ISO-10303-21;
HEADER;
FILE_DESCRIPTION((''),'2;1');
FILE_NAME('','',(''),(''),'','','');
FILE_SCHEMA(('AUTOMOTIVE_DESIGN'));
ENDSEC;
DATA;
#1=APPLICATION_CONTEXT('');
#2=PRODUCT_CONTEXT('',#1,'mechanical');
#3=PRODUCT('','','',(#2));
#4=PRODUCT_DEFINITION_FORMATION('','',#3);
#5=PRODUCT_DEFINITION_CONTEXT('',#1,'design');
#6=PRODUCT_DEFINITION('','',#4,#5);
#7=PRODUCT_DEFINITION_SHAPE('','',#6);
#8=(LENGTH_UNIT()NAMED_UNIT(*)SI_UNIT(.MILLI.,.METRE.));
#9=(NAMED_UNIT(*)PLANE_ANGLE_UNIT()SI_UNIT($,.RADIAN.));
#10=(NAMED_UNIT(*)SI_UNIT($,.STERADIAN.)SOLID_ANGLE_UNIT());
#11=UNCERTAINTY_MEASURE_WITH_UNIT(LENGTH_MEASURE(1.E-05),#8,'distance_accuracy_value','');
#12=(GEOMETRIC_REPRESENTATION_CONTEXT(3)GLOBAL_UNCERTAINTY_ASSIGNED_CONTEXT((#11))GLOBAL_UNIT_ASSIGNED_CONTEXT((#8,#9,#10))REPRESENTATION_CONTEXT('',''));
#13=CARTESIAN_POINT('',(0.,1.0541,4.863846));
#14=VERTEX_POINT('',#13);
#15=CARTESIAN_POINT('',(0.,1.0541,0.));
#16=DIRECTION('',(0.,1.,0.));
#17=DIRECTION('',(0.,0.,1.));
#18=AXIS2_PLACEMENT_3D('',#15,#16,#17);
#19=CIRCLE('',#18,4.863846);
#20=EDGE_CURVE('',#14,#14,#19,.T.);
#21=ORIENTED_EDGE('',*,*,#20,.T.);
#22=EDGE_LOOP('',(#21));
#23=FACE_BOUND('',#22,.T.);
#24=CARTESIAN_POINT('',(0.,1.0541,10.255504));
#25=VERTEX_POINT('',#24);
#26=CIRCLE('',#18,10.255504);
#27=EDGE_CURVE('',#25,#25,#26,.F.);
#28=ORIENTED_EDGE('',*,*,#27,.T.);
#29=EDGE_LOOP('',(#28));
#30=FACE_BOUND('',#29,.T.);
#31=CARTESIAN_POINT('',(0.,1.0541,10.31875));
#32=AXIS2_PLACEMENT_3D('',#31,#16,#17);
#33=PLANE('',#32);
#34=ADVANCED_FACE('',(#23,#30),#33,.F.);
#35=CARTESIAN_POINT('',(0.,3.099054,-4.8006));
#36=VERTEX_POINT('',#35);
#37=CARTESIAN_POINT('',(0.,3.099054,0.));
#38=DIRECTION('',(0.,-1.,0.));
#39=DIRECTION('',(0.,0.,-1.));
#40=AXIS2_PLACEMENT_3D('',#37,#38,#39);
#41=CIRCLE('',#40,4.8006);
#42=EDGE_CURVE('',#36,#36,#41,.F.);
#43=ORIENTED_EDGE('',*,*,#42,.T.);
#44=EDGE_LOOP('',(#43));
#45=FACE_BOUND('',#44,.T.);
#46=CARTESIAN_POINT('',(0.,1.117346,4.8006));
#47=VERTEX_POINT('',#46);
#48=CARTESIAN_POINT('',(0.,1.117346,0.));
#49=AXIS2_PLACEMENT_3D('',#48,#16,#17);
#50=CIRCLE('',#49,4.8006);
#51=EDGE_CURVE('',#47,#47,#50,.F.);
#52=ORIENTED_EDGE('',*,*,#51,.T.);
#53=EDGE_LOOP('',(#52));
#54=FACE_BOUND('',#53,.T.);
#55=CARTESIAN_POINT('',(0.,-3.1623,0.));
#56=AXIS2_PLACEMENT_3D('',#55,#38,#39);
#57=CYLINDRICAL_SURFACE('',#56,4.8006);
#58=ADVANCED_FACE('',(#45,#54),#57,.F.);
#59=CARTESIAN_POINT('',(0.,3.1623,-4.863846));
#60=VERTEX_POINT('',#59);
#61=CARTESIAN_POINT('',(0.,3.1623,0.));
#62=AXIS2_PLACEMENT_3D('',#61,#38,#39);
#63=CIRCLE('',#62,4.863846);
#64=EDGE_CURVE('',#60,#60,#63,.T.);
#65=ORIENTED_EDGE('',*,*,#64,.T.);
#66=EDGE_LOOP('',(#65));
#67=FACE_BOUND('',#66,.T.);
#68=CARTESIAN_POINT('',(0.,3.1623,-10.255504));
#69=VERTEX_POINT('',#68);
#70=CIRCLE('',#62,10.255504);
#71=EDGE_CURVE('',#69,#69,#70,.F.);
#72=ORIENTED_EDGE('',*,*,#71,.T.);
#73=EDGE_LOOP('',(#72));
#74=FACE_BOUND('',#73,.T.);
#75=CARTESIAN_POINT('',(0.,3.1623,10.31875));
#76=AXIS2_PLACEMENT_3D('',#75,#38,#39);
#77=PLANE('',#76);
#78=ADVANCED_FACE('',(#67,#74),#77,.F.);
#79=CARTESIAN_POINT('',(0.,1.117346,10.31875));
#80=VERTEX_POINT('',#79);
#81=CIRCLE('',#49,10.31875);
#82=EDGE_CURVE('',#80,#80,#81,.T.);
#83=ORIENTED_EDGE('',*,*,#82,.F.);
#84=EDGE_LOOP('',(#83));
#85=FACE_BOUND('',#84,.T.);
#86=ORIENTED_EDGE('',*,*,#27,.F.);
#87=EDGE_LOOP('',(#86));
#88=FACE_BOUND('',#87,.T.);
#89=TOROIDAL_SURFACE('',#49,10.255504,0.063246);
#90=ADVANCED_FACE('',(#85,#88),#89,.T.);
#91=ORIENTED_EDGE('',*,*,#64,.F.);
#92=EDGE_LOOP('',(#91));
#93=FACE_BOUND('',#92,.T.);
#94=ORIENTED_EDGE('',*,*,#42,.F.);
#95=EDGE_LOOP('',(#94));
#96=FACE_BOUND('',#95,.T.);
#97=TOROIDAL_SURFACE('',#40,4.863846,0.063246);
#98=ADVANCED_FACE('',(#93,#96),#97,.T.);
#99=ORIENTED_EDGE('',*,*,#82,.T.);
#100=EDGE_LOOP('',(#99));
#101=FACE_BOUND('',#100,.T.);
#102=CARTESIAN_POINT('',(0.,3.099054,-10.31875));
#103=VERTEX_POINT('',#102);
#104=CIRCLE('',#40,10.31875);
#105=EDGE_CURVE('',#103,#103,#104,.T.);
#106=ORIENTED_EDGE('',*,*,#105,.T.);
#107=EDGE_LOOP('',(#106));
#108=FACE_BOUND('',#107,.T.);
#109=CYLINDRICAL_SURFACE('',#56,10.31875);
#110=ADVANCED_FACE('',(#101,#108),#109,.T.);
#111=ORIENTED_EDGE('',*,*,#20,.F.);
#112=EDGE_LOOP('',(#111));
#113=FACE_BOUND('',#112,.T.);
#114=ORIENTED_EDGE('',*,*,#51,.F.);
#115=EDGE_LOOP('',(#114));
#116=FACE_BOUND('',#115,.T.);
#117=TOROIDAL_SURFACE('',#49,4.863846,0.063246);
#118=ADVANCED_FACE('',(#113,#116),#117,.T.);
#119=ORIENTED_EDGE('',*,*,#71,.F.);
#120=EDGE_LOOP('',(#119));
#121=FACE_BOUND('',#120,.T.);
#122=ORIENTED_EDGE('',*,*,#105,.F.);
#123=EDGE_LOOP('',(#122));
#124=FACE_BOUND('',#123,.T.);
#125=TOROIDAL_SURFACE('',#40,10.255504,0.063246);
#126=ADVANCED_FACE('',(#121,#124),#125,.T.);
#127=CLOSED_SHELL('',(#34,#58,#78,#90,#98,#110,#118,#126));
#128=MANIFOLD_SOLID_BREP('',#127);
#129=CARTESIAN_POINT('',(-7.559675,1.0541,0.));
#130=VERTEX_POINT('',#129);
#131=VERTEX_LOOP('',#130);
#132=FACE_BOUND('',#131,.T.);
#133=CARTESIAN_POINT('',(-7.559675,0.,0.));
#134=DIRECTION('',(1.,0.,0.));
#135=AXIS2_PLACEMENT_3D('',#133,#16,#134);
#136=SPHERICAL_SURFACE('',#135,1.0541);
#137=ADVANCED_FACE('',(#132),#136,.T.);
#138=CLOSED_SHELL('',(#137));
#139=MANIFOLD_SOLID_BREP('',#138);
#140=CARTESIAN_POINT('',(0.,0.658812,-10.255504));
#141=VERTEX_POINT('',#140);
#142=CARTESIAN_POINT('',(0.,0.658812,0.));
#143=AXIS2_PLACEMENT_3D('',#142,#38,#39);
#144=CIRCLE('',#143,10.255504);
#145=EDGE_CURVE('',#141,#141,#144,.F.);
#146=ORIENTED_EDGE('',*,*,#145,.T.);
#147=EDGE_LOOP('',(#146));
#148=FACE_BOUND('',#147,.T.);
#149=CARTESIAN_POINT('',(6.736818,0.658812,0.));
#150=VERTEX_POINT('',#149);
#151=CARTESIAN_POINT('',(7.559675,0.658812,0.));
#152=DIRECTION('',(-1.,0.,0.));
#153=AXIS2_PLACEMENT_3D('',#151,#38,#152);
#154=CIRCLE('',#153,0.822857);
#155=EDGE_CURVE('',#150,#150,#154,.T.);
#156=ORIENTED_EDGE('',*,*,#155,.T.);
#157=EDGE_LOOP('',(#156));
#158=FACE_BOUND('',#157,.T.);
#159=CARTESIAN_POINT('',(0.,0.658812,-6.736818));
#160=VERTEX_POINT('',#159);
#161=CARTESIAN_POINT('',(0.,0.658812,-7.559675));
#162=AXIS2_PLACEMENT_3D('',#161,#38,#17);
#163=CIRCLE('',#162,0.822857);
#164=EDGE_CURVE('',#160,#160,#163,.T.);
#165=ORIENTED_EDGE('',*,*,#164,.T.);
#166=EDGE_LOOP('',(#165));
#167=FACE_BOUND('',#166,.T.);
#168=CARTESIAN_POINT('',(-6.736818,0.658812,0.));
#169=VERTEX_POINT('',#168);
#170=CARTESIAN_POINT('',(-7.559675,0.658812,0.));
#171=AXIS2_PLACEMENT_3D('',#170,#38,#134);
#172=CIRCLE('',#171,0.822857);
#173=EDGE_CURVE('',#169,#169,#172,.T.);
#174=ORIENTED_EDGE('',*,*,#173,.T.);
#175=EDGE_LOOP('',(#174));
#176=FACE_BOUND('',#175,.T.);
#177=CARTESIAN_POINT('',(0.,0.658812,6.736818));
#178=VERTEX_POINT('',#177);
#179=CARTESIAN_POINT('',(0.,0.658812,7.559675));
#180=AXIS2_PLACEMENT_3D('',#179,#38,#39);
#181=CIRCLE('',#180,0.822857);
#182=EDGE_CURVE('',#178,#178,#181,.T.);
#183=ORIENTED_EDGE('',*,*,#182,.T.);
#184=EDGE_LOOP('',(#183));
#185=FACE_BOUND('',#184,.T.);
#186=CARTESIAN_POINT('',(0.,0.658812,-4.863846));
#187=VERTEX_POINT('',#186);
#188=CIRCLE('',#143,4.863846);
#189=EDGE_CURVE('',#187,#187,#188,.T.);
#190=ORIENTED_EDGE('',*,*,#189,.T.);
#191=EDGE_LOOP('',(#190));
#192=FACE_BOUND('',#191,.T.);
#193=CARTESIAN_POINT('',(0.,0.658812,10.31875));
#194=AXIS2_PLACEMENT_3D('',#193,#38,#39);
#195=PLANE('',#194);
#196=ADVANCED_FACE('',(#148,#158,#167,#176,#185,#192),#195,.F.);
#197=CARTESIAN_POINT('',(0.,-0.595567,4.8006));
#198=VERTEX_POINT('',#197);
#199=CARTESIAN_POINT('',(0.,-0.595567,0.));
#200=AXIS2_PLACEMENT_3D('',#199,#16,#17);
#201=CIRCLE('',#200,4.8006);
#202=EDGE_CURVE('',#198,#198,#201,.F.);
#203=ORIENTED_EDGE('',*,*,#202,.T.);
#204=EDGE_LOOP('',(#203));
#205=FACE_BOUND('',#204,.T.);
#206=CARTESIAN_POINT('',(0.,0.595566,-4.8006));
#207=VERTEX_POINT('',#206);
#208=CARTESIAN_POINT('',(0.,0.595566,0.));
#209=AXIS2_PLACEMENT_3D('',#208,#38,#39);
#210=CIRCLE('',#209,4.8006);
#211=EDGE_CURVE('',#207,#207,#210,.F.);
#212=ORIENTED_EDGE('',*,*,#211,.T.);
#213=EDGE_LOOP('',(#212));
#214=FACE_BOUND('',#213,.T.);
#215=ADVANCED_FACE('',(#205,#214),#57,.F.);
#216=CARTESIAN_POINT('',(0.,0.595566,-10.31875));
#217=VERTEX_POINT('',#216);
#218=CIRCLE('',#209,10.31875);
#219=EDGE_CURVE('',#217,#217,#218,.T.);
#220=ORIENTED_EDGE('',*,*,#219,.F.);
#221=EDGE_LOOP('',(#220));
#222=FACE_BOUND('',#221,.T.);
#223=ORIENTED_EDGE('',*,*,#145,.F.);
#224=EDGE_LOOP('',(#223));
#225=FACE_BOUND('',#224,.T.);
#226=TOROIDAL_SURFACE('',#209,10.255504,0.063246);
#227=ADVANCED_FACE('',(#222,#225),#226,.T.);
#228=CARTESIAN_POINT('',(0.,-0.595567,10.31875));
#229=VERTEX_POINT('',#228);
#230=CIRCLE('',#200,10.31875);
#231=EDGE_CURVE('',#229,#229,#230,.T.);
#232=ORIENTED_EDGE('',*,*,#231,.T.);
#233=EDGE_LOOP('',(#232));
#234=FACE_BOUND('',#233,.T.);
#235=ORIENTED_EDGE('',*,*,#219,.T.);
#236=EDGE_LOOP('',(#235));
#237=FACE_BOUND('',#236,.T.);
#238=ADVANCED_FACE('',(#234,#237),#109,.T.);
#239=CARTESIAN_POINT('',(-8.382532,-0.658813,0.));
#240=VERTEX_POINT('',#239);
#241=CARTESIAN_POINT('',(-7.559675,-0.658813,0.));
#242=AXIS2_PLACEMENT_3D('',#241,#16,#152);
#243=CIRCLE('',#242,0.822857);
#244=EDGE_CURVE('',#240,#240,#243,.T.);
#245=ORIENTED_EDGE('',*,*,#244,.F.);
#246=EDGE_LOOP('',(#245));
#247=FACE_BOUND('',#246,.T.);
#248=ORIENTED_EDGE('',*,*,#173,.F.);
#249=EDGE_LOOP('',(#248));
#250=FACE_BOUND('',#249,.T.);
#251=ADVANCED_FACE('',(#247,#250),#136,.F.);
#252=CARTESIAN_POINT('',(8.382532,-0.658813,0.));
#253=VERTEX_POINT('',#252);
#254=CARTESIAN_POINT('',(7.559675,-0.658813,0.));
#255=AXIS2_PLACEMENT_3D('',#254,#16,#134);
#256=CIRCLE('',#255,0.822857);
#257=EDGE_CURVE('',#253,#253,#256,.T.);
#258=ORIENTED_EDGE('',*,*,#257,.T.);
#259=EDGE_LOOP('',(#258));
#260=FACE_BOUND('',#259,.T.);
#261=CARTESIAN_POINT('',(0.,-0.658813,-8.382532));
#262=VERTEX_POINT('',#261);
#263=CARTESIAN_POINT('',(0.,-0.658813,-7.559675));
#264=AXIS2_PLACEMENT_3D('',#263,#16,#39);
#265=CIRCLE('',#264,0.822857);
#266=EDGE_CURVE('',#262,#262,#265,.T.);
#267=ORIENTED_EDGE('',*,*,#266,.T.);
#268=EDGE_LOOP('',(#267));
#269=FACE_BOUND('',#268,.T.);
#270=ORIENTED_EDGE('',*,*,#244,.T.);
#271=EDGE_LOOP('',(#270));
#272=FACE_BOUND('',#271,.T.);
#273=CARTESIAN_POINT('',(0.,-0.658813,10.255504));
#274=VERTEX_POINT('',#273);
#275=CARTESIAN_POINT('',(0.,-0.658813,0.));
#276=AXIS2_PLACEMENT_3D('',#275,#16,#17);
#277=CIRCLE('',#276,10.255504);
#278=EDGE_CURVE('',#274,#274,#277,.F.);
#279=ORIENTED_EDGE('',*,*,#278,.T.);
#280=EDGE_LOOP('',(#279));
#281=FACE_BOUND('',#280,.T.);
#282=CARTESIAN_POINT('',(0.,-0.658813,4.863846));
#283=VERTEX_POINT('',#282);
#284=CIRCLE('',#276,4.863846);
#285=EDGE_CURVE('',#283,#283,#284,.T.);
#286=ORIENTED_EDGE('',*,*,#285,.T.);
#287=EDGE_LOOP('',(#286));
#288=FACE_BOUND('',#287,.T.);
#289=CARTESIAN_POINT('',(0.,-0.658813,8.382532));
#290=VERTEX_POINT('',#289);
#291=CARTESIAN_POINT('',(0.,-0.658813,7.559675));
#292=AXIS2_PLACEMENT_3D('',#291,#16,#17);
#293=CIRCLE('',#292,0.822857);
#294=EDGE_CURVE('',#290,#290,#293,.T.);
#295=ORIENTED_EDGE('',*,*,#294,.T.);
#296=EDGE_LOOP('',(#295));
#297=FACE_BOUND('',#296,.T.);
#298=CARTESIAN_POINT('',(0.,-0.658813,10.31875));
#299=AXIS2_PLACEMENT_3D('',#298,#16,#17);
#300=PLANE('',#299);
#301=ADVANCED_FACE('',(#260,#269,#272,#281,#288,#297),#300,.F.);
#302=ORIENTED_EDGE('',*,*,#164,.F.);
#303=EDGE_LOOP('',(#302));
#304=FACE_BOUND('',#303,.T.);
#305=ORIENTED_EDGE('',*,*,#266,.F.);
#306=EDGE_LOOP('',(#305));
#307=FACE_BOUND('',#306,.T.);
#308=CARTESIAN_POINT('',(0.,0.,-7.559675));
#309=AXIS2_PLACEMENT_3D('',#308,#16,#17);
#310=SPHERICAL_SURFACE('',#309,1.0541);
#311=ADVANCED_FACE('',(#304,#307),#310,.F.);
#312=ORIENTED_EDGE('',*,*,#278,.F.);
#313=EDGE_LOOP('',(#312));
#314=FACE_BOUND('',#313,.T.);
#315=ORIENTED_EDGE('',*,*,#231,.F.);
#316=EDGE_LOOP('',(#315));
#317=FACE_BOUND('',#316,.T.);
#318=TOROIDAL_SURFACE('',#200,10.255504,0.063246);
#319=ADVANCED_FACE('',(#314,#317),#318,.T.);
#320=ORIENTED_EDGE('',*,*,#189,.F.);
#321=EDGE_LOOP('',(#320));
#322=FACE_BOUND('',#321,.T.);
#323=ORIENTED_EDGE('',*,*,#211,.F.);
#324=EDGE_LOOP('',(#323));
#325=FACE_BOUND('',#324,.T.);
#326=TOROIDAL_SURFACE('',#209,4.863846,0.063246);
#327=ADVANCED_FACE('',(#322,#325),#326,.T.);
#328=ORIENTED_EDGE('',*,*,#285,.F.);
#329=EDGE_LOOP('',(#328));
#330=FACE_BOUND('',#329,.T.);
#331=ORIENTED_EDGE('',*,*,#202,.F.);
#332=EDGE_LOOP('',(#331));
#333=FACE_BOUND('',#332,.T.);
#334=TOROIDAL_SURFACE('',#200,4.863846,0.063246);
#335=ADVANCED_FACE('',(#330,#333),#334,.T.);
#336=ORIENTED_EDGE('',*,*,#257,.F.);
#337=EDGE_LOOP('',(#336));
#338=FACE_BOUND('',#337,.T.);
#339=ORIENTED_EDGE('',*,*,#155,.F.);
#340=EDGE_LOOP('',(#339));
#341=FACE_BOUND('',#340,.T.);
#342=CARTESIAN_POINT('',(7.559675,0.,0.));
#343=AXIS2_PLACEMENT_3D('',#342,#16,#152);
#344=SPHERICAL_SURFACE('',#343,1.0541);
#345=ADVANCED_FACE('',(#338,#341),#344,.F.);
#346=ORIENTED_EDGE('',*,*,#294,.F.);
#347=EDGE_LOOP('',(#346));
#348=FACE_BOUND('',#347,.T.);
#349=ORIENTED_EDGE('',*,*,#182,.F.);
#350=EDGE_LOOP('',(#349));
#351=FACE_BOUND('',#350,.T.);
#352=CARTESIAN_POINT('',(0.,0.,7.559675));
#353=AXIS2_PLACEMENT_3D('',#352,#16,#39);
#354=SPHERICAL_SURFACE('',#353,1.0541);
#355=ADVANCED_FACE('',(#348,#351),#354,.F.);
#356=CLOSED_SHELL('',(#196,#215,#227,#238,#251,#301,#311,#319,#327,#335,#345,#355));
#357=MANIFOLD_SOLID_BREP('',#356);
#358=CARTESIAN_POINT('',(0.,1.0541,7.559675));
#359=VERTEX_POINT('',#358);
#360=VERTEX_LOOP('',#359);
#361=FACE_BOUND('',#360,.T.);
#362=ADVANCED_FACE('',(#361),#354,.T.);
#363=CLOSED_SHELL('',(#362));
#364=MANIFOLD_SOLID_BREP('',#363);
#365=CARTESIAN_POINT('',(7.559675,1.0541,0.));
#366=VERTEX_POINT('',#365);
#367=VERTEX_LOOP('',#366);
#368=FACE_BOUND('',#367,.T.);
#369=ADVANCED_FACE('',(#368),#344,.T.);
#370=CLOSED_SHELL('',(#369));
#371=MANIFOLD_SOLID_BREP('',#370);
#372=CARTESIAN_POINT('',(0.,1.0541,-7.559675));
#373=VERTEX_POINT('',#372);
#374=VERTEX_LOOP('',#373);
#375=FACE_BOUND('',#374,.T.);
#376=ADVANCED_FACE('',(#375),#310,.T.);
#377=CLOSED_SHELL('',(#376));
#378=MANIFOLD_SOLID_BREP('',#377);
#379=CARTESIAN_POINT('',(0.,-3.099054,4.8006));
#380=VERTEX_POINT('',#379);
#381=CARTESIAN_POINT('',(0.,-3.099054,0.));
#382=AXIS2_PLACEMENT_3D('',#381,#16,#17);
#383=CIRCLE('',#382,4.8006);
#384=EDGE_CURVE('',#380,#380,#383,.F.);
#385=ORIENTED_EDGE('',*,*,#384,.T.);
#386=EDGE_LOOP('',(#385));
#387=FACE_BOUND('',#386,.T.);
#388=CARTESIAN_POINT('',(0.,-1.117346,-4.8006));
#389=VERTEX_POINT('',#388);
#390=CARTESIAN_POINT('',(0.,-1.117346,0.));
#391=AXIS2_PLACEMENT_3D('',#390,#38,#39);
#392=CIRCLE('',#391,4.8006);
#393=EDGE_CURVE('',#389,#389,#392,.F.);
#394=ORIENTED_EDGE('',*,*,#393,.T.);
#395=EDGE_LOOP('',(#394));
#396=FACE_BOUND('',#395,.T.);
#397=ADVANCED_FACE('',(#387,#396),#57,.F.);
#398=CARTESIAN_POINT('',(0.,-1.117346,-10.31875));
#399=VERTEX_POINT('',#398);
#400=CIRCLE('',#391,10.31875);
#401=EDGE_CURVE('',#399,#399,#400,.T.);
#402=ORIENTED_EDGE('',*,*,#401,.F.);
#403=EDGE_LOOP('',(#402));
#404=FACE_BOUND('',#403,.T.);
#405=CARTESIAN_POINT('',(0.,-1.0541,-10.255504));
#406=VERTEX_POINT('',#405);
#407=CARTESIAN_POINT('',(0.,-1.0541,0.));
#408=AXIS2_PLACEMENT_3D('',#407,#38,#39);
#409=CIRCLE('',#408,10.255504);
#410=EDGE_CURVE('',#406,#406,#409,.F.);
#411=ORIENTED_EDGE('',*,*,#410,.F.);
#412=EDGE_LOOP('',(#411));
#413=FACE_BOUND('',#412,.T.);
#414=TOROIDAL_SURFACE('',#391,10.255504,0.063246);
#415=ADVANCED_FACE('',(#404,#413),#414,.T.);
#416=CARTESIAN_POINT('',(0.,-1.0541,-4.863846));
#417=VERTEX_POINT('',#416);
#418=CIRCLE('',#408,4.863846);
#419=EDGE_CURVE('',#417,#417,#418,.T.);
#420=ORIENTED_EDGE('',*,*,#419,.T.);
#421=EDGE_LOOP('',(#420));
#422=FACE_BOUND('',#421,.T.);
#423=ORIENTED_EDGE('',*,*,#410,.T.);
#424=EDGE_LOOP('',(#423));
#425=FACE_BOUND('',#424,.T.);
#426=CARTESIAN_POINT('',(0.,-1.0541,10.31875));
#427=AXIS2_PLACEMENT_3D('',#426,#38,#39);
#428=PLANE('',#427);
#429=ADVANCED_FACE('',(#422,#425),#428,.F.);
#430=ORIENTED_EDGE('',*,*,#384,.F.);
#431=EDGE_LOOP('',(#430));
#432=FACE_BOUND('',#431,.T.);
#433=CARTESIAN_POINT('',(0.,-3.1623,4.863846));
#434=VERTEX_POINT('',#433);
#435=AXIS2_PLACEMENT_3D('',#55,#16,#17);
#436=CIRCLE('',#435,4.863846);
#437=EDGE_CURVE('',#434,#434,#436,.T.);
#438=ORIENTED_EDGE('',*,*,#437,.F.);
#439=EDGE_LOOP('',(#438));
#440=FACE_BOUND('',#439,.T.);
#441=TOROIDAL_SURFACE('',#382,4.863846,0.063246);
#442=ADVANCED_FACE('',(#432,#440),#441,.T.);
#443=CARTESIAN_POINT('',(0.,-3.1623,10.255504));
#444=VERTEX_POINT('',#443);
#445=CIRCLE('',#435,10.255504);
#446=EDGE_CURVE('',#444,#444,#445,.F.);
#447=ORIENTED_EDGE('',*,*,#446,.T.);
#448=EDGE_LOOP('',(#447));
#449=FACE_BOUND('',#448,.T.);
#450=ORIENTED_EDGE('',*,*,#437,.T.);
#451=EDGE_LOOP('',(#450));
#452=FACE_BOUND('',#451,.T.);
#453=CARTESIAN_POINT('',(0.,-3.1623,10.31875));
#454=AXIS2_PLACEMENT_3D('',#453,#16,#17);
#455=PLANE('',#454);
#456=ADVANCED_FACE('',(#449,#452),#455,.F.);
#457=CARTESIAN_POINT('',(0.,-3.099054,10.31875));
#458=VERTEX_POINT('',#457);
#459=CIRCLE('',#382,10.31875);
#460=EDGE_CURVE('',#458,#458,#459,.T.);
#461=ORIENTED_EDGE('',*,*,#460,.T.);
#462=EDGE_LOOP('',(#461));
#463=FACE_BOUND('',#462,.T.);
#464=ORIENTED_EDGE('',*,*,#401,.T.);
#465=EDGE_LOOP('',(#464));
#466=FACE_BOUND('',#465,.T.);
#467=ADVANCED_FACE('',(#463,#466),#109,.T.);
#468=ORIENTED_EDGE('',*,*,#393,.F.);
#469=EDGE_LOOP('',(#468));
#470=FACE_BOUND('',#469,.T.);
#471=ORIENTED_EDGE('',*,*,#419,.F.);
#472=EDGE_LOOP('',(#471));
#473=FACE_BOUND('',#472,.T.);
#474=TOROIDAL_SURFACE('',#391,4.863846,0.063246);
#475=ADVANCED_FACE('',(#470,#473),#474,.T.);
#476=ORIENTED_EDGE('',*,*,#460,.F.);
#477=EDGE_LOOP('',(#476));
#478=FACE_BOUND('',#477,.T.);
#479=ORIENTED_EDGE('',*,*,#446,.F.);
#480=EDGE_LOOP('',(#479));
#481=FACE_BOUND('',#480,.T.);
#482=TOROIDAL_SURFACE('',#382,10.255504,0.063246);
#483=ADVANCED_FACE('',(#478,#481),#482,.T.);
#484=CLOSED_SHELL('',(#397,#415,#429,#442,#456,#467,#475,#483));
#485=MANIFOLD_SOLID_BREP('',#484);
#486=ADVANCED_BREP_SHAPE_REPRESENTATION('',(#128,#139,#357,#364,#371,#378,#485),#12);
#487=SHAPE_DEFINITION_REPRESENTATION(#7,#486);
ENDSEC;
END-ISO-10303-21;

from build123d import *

# Parameters (mm, degrees)
SKETCH1_W         = 5.51815
SKETCH1_H         = 1.317625
CIRPATTERN1_COUNT = 4
CIRPATTERN1_ANGLE = 270
CIRPATTERN2_COUNT = 4
SKETCH4_W         = 5.51815
SKETCH4_H         = 2.1082
FILLET1_R         = 0.063246
FILLET2_R         = 0.063246
FILLET3_R         = 0.063246


with BuildPart() as part:
    # Sketch1 → Revolve1 (revolve)
    with BuildSketch(Plane(origin=(0, 0, 0), x_dir=(0, 0, -1), z_dir=(1, 0, 0))):
        with Locations((-7.559675, 0)):
            Rectangle(SKETCH1_W, SKETCH1_H)
    revolve(axis=Axis((0, -3.1623, 0), (0, 1, 0)))

    # Sketch3 → Cut-Revolve1 (revolve, cut)
    with BuildSketch(Plane(origin=(0, 0, 0), x_dir=(0, 0, -1), z_dir=(1, 0, 0))):
        with BuildLine():
            Line((-7.559675, 1.0541), (-7.559675, -1.0541))
            ThreePointArc((-7.559675, -1.0541), (-8.613775, 0), (-7.559675, 1.0541))
        make_face()
    cut_revolve1 = revolve(axis=Axis((0, 1.0541, 7.559675), (0, -1, 0)), mode=Mode.SUBTRACT)

    # CirPattern2: Cut-Revolve1 ×4 about axis
    cirpattern2_axis = Axis((0, 0, 0), (0, 1, 0))
    for i in range(1, CIRPATTERN2_COUNT):
        add(cut_revolve1.rotate(cirpattern2_axis, i * 360 / CIRPATTERN2_COUNT), mode=Mode.SUBTRACT)

    # Fillet2
    fillet2_edges = [part.edges().sort_by_distance(p)[0] for p in [
        (0, 0.6588125, -10.31875),
        (0, 0.6588125, -4.8006),
        (0, -0.6588125, -4.8006),
        (0, -0.6588125, -10.31875),
    ]]
    fillet(fillet2_edges, radius=FILLET2_R)


with BuildPart() as body_2:
    # Sketch2 → Revolve2 (revolve)
    with BuildSketch(Plane(origin=(0, 0, 0), x_dir=(0, 0, -1), z_dir=(1, 0, 0))):
        with BuildLine():
            Line((-7.559675, 1.0541), (-7.559675, -1.0541))
            ThreePointArc((-7.559675, -1.0541), (-8.613775, 0), (-7.559675, 1.0541))
        make_face()
    revolve(axis=Axis((0, 1.0541, 7.559675), (0, -1, 0)))


with BuildPart() as cirpattern1_1:
    # CirPattern1: pattern copy
    add(body_2.part.rotate(Axis((0, 3.1623, 0), (0, -1, 0)), 1 * CIRPATTERN1_ANGLE / (CIRPATTERN1_COUNT - 1)))


with BuildPart() as cirpattern1_2:
    # CirPattern1: pattern copy
    add(body_2.part.rotate(Axis((0, 3.1623, 0), (0, -1, 0)), 2 * CIRPATTERN1_ANGLE / (CIRPATTERN1_COUNT - 1)))


with BuildPart() as cirpattern1_3:
    # CirPattern1: pattern copy
    add(body_2.part.rotate(Axis((0, 3.1623, 0), (0, -1, 0)), 3 * CIRPATTERN1_ANGLE / (CIRPATTERN1_COUNT - 1)))


with BuildPart() as body_6:
    # Sketch4 → Revolve3 (revolve)
    with BuildSketch(Plane(origin=(0, 0, 0), x_dir=(0, 0, -1), z_dir=(1, 0, 0))):
        with Locations((-7.559675, 2.1082)):
            Rectangle(SKETCH4_W, SKETCH4_H)
        with Locations((-7.559675, -2.1082)):
            Rectangle(SKETCH4_W, SKETCH4_H)
    revolve(axis=Axis((0, -3.1623, 0), (0, 1, 0)))

    # Fillet1
    fillet1_edges = [body_6.edges().sort_by_distance(p)[0] for p in [
        (0, 1.0541, -10.31875),
        (0, 1.0541, -4.8006),
        (0, 3.1623, -4.8006),
        (0, 3.1623, -10.31875),
    ]]
    fillet(fillet1_edges, radius=FILLET1_R)

    # Fillet3
    fillet3_edges = [body_6.edges().sort_by_distance(p)[0] for p in [
        (0, -3.1623, -10.31875),
        (0, -3.1623, -4.8006),
        (0, -1.0541, -4.8006),
        (0, -1.0541, -10.31875),
    ]]
    fillet(fillet3_edges, radius=FILLET3_R)


solid = Compound([part.part, body_2.part, cirpattern1_1.part, cirpattern1_2.part, cirpattern1_3.part, body_6.part])
